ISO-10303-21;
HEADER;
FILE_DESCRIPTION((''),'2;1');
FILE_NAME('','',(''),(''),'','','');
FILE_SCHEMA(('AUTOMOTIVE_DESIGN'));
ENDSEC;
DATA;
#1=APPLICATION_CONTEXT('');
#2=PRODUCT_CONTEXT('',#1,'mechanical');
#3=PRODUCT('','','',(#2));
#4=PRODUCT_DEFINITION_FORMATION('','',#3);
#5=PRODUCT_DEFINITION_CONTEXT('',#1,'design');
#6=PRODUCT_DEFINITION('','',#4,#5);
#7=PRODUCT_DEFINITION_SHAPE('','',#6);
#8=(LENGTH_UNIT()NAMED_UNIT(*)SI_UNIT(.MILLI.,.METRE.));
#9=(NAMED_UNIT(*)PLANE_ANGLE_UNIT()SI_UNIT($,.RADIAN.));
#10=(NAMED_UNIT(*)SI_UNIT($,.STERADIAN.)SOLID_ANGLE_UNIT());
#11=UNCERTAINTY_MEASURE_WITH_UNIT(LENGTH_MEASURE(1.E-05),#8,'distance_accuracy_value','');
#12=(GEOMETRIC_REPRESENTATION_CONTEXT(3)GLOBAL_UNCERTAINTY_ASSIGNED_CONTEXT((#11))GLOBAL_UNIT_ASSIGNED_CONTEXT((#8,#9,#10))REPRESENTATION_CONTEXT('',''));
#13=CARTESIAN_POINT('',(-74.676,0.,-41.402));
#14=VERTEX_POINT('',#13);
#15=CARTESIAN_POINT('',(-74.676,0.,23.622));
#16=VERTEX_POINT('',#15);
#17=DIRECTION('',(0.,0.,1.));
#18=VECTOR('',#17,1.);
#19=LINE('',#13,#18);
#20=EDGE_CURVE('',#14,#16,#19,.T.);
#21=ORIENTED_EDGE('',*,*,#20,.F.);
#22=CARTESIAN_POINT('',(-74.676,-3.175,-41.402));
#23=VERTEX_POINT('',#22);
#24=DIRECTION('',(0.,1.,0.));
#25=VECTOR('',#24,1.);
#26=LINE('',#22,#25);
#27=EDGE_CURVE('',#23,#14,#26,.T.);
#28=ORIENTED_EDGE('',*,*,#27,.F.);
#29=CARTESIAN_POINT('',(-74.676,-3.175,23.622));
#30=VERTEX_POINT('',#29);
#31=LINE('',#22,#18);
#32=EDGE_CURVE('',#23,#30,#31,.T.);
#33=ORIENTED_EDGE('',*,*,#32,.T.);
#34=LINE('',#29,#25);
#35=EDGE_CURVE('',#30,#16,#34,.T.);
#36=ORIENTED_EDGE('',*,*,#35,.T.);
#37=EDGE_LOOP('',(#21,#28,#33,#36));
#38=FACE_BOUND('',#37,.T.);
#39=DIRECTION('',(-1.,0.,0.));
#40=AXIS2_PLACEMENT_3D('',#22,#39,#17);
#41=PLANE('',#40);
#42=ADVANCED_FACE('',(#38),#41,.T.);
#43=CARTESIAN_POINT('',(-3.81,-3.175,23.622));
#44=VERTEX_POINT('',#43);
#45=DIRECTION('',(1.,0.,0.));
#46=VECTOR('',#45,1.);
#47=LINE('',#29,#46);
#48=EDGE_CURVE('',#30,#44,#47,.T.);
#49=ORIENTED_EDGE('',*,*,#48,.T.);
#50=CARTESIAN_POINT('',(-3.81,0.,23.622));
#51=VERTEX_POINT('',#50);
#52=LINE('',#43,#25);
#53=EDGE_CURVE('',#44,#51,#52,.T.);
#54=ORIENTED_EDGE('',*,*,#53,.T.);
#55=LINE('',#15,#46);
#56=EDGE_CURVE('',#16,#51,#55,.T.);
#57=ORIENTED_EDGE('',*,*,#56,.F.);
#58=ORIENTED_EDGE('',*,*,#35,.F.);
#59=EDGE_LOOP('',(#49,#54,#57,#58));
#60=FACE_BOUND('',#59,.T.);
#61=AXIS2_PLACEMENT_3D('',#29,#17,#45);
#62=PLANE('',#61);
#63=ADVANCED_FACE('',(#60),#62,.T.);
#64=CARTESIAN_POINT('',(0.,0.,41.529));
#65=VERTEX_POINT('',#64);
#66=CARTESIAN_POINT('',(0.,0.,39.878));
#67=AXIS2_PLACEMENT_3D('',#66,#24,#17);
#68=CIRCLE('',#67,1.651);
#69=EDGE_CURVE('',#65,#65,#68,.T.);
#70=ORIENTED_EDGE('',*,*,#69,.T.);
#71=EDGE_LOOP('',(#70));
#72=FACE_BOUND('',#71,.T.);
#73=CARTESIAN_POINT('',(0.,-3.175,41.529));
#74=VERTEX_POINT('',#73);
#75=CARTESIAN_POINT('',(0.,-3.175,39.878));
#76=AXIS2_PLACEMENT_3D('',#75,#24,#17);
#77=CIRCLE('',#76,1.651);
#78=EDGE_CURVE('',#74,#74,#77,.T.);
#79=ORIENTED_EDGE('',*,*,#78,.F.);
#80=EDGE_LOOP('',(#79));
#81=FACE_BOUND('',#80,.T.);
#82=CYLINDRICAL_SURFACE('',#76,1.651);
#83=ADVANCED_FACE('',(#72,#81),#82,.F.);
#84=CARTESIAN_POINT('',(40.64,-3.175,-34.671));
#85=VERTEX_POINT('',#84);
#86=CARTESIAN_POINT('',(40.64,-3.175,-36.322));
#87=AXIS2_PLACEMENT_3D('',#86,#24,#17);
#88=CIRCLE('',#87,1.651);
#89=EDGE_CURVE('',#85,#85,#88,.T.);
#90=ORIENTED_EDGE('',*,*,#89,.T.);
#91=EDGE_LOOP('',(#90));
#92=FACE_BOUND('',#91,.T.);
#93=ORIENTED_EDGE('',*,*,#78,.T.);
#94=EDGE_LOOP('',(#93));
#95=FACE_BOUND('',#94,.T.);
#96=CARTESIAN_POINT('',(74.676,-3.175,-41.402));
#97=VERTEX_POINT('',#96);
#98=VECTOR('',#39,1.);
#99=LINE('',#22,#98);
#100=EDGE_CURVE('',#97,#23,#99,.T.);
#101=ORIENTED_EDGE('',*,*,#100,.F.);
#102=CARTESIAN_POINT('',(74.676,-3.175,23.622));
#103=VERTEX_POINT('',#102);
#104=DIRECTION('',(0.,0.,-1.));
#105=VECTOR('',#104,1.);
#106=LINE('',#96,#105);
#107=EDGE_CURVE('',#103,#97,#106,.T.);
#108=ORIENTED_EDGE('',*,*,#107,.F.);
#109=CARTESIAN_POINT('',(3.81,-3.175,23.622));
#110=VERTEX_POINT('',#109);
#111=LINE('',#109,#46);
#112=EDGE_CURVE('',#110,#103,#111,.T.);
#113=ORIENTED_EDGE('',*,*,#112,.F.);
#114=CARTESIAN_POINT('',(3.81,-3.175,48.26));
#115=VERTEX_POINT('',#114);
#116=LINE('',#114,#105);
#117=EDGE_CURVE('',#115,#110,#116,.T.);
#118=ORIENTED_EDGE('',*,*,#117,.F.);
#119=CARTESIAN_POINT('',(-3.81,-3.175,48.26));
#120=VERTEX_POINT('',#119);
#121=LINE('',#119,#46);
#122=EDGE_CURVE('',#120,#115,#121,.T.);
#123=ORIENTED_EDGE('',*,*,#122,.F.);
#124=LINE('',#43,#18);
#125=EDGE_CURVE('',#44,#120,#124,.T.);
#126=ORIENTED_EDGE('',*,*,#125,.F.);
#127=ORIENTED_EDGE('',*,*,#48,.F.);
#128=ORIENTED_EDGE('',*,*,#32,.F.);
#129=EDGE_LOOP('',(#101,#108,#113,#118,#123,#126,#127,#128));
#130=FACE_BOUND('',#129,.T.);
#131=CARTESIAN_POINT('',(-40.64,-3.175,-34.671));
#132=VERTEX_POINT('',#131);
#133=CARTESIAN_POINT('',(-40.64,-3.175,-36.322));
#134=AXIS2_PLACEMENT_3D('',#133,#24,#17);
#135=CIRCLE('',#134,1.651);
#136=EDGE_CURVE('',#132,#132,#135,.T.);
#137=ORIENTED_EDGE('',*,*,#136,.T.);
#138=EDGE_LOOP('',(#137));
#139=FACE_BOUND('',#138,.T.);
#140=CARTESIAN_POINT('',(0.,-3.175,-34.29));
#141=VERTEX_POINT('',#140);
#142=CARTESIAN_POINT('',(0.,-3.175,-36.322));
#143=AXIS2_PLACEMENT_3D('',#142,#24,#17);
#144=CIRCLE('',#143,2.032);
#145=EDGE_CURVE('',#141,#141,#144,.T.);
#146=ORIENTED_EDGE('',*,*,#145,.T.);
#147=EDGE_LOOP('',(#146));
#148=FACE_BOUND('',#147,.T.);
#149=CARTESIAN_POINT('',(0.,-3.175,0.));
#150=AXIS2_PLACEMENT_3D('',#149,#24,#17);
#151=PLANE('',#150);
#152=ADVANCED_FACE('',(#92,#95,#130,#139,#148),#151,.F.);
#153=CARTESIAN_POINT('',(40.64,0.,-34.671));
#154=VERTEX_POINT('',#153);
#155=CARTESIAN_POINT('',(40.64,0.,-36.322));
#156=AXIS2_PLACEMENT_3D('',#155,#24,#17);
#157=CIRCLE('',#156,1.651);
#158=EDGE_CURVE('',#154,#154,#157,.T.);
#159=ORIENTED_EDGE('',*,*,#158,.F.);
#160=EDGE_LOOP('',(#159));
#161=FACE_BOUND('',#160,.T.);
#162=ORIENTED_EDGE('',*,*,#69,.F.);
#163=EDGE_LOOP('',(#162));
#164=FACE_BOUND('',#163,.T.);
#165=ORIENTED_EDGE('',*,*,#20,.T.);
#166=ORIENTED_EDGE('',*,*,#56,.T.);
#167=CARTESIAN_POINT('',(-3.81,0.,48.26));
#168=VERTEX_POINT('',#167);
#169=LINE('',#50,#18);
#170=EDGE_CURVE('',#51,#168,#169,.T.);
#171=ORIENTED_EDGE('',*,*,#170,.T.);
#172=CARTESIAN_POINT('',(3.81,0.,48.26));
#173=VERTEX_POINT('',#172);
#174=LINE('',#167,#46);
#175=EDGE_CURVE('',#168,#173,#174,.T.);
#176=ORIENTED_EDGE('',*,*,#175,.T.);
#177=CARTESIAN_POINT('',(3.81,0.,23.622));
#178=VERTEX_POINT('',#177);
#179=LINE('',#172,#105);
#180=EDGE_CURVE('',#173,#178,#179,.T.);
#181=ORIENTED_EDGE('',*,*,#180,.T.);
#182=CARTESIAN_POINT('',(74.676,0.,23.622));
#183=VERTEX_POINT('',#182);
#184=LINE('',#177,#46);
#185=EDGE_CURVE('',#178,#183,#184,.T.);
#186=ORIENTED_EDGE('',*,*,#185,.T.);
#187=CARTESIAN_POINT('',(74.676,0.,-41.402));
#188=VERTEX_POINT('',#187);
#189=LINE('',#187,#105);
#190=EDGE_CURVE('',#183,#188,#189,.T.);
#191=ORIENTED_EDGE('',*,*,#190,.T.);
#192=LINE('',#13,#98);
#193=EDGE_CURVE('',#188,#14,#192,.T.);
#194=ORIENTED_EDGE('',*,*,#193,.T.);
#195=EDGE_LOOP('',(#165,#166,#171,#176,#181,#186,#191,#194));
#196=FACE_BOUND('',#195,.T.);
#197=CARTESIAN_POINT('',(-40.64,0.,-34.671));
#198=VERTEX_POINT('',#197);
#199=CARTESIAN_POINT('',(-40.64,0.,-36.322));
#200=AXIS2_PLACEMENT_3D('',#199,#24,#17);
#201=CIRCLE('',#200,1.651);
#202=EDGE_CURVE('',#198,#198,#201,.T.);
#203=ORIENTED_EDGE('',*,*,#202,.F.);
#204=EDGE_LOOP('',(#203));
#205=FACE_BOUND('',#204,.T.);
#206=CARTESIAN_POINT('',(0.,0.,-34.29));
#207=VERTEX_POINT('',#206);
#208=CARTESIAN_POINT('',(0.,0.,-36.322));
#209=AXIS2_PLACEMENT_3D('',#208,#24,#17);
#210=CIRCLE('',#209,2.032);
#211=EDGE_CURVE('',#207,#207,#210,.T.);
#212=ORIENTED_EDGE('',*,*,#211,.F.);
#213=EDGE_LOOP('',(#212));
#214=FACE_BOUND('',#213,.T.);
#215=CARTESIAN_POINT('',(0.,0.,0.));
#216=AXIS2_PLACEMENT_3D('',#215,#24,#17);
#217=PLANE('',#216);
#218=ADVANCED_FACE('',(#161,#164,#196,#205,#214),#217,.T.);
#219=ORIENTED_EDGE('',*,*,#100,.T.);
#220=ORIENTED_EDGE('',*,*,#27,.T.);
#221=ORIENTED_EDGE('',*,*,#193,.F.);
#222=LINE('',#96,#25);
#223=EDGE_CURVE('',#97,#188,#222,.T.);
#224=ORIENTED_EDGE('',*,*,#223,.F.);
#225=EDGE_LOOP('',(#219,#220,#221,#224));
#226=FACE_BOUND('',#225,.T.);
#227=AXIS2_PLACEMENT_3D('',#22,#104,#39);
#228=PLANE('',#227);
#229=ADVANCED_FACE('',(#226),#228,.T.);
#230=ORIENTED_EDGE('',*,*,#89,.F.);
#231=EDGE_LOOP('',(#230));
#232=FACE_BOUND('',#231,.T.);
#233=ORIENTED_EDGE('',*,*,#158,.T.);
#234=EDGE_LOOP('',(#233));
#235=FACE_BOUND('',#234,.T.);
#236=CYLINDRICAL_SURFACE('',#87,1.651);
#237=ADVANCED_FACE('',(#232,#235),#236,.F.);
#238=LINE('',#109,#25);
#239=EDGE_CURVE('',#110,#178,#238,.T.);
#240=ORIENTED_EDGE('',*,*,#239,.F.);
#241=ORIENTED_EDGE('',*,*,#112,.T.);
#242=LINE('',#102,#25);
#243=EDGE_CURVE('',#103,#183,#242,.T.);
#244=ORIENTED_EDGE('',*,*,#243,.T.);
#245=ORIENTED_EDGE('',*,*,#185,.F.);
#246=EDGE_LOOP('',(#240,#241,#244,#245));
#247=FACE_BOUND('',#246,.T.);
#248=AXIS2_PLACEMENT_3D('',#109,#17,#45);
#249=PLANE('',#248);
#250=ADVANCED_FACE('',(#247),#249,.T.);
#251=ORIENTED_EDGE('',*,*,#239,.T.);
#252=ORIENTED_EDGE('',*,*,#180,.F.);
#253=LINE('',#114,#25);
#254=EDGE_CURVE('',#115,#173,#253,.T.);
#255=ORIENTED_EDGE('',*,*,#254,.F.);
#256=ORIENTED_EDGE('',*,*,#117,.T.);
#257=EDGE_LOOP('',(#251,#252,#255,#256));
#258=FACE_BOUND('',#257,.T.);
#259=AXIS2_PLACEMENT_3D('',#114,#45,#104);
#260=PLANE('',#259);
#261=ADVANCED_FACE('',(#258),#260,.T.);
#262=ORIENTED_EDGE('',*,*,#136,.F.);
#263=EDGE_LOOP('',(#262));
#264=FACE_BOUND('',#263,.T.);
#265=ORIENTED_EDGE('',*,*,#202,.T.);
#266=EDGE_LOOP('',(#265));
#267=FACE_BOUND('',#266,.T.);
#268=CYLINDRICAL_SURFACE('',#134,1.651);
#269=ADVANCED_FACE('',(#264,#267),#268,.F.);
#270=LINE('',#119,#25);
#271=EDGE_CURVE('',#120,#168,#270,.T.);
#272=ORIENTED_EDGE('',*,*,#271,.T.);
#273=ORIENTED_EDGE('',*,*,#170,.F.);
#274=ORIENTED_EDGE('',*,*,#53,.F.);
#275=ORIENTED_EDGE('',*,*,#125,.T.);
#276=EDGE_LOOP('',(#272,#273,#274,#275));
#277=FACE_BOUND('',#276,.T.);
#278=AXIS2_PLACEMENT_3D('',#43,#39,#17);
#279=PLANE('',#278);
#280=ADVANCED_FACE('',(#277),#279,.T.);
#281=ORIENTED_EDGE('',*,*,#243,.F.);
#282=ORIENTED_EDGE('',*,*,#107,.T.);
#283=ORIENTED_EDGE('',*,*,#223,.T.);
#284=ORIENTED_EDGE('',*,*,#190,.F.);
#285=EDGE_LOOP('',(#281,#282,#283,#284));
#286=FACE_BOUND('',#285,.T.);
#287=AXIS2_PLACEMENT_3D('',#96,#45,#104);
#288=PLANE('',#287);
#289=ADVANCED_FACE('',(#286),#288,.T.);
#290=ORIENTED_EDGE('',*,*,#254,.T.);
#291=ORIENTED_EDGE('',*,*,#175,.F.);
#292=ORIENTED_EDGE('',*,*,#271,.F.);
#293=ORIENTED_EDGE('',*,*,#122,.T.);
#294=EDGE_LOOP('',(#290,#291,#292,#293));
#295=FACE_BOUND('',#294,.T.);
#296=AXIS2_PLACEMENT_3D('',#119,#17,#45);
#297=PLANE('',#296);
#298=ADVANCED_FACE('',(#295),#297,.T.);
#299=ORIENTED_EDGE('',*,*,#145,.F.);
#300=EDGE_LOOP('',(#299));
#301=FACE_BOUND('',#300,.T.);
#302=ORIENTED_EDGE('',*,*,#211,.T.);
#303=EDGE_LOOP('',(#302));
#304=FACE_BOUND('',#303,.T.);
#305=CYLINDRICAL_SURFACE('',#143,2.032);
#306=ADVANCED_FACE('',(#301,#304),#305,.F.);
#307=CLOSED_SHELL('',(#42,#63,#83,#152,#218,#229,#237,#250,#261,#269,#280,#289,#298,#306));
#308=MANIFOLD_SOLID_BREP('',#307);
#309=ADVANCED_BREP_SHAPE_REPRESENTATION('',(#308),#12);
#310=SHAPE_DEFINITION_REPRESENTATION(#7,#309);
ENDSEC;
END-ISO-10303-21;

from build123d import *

# Parameters (mm, degrees)
BOSS_EXTRUDE1_DEPTH = 3.175
SKETCH2_R           = 1.651
SKETCH2_R_2         = 2.032
CUT_EXTRUDE1_DEPTH  = 89.969731937


with BuildPart() as part:
    # Sketch1 → Boss-Extrude1 (new body)
    with BuildSketch(Plane(origin=(0, 0, 0), x_dir=(1, 0, 0), z_dir=(0, 1, 0))):
        Polygon((-74.676, 41.402), (74.676, 41.402), (74.676, -23.622), (3.81, -23.622), (3.81, -48.26), (-3.81, -48.26), (-3.81, -23.622), (-74.676, -23.622), align=None)
    extrude(amount=-BOSS_EXTRUDE1_DEPTH)

    # Sketch2 → Cut-Extrude1 (cut, through all)
    with BuildSketch(Plane(origin=(0, 0, 0), x_dir=(1, 0, 0), z_dir=(0, 1, 0))):
        with Locations(Location((-40.64, 36.322, 0), (0, 0, 270))):
            Circle(SKETCH2_R)
        with Locations(Location((0, 36.322, 0), (0, 0, 270))):
            Circle(SKETCH2_R_2)
        with Locations(Location((40.64, 36.322, 0), (0, 0, 270))):
            Circle(SKETCH2_R)
        with Locations(Location((0, -39.878, 0), (0, 0, 270))):
            Circle(SKETCH2_R)
    extrude(amount=-CUT_EXTRUDE1_DEPTH, mode=Mode.SUBTRACT)


solid = part.part
